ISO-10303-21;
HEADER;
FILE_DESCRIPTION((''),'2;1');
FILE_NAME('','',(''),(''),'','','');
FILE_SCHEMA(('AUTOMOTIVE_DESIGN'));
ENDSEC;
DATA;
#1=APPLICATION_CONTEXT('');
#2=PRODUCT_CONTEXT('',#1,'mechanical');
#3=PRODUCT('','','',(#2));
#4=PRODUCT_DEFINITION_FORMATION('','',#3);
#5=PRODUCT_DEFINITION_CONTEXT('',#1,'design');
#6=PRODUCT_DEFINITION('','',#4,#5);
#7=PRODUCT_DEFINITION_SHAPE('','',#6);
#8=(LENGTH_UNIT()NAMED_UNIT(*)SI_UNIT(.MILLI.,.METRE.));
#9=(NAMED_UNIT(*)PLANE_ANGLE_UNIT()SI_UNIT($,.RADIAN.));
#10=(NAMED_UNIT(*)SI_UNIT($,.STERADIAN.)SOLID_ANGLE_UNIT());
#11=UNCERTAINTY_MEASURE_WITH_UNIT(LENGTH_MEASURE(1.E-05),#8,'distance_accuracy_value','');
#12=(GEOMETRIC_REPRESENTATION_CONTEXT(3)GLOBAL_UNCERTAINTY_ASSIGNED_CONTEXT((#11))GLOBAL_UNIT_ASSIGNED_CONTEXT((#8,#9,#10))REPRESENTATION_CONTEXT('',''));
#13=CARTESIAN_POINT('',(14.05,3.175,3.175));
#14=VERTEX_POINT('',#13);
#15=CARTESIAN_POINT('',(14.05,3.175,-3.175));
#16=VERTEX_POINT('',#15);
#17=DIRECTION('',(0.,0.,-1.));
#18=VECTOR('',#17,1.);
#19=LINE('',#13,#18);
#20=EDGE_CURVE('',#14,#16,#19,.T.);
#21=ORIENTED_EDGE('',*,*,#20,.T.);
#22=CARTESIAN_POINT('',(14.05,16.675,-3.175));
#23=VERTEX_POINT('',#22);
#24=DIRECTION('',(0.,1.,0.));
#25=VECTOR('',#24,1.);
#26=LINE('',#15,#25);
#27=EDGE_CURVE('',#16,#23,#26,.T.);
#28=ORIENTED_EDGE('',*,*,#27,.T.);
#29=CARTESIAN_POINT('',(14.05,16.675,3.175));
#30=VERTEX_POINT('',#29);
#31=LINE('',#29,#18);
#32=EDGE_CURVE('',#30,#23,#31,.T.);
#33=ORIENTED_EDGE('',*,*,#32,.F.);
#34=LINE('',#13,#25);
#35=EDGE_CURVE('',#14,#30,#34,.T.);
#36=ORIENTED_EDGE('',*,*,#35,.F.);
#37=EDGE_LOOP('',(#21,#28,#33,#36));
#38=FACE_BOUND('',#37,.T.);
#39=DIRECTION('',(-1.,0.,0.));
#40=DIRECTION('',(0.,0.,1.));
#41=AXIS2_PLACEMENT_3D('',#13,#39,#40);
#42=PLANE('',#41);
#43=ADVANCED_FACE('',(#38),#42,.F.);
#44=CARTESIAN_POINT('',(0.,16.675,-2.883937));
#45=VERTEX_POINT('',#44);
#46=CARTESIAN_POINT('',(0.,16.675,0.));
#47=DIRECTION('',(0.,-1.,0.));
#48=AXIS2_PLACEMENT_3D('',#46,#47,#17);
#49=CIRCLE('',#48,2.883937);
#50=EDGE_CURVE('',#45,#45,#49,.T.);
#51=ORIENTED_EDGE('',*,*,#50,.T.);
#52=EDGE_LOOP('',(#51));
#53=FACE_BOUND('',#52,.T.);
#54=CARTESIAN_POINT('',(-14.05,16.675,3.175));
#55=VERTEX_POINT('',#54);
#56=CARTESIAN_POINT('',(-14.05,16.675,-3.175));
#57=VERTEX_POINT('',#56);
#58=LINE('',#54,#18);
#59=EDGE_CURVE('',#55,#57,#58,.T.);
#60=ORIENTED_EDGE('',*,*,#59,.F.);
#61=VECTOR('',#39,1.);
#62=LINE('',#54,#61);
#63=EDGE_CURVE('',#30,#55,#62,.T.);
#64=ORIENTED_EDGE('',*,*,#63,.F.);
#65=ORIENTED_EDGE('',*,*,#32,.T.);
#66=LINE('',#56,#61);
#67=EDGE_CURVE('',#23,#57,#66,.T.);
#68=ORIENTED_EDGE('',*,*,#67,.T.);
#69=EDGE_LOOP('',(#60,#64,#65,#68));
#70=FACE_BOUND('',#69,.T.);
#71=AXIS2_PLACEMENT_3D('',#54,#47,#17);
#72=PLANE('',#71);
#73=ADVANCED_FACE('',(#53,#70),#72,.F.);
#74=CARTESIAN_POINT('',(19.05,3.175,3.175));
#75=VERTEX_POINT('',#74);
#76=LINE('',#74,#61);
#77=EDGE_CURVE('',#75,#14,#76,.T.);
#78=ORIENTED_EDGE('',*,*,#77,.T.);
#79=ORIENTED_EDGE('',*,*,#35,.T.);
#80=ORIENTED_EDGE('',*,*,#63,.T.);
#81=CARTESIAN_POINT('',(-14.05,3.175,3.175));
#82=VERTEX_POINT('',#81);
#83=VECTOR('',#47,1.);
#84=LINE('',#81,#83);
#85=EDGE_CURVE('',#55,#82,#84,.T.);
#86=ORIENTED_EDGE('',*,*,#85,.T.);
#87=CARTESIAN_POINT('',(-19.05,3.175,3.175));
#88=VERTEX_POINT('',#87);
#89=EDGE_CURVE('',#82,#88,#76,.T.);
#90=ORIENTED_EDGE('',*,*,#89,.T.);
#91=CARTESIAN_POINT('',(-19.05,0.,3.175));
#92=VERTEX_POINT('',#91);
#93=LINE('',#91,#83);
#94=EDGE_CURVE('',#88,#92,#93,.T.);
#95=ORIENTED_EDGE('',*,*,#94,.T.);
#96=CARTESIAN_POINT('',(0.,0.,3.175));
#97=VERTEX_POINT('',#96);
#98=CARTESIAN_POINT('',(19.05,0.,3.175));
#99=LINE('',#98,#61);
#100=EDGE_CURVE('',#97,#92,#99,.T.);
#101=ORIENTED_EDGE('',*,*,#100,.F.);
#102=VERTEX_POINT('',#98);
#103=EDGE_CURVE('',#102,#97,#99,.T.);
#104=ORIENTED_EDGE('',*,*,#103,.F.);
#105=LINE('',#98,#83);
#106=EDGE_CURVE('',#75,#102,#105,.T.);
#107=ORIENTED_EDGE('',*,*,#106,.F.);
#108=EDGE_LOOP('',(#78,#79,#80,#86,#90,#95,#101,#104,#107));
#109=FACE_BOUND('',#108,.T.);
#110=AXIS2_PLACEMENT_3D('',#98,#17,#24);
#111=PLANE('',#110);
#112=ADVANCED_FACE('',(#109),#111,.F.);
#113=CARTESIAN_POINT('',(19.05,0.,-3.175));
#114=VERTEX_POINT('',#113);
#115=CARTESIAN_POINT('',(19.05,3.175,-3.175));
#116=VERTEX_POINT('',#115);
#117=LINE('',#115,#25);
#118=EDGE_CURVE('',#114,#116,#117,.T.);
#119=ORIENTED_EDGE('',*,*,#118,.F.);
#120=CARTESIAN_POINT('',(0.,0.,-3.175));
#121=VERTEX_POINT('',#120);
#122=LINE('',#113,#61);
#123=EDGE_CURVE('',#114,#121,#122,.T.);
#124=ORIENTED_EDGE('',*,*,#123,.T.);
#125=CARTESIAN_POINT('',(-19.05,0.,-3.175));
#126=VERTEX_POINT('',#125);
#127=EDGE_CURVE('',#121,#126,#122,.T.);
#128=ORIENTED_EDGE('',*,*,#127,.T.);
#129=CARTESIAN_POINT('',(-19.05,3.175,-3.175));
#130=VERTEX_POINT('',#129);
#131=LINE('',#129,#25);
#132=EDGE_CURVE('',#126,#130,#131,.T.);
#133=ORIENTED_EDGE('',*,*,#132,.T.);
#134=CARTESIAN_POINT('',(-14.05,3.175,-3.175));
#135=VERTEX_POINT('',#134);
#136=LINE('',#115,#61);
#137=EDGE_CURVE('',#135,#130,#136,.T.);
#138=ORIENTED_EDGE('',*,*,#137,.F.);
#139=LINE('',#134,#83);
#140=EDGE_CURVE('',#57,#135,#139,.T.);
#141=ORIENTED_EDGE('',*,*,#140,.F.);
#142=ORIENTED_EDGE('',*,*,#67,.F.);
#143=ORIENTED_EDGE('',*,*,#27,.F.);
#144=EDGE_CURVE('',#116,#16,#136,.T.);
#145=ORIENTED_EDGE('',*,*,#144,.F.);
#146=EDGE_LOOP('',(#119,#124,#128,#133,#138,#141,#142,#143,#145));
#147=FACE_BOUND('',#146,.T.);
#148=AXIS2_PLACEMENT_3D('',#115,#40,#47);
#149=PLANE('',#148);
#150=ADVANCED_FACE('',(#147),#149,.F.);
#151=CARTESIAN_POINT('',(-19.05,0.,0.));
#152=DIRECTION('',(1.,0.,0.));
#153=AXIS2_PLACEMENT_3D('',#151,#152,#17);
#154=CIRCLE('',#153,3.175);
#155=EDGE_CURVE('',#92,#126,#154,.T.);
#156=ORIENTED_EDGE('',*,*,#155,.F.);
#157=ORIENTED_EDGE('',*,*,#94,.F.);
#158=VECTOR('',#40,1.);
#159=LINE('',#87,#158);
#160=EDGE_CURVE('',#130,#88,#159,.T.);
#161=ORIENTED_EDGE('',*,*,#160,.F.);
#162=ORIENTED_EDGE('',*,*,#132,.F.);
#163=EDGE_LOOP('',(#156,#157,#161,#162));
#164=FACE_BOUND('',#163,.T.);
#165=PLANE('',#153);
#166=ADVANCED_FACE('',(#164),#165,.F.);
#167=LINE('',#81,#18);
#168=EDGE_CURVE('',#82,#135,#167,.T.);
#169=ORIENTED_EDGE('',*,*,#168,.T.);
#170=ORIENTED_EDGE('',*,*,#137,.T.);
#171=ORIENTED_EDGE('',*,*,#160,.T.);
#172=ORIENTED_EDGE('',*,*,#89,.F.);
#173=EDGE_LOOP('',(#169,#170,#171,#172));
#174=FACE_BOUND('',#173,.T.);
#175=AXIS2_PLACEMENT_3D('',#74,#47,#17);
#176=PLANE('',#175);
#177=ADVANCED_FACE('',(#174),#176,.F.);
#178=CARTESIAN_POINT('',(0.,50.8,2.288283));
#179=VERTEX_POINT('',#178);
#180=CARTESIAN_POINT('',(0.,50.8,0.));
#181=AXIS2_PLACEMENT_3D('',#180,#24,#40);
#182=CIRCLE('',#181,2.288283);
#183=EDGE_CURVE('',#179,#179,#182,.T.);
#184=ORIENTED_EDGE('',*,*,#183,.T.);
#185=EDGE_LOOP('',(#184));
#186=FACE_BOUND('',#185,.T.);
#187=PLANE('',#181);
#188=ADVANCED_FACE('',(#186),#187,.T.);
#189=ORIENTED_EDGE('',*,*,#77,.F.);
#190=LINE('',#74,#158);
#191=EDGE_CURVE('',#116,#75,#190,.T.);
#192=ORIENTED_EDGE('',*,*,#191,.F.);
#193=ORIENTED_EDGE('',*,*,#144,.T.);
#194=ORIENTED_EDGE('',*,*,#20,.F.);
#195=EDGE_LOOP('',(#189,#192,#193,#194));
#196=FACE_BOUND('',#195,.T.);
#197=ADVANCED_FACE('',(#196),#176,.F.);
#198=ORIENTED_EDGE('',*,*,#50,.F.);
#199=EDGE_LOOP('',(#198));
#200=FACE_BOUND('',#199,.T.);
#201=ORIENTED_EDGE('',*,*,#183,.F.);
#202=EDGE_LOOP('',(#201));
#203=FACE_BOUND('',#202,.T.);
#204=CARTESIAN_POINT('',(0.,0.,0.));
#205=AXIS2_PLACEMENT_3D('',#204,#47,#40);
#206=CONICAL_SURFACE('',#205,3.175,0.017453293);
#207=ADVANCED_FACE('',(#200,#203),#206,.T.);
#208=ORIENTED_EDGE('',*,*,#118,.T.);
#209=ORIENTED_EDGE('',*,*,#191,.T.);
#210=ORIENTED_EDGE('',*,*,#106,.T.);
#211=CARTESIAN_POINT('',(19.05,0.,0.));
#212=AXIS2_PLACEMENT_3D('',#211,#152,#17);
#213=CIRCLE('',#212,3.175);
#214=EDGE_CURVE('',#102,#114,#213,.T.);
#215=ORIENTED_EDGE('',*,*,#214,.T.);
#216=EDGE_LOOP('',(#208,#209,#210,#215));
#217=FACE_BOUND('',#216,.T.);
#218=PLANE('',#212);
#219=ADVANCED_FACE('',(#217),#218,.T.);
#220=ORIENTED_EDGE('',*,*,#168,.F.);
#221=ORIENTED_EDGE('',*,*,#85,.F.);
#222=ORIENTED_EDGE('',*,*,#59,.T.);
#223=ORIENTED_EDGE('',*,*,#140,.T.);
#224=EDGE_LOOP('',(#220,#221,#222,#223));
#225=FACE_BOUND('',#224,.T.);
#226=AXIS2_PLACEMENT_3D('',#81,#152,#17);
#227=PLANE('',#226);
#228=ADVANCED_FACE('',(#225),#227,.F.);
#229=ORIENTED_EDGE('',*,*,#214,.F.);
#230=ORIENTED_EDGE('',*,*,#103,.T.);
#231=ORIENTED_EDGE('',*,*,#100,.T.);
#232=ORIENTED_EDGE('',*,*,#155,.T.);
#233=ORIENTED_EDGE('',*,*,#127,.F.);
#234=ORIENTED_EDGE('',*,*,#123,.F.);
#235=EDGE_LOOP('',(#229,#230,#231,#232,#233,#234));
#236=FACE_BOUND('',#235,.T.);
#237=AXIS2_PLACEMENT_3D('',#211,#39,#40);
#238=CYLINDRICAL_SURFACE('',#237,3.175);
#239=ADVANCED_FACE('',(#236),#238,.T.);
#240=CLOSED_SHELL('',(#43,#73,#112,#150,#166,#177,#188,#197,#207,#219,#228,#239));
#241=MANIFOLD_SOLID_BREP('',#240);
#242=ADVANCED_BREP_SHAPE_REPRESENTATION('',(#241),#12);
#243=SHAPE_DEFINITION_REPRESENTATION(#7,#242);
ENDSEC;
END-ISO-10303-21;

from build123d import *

# Parameters (mm, degrees)
BOSS_EXTRUDE1_DEPTH = 19.05
SKETCH2_R           = 3.175
BOSS_EXTRUDE2_DEPTH = 50.8
BOSS_EXTRUDE2_TAPER = 1
SKETCH3_W           = 28.1
SKETCH3_H           = 13.5
BOSS_EXTRUDE3_DEPTH = 3.175


with BuildPart() as part:
    # Sketch1 → Boss-Extrude1 (new body, symmetric)
    with BuildSketch(Plane(origin=(0, 0, 0), x_dir=(0, 0, -1), z_dir=(1, 0, 0))):
        with BuildLine():
            Line((-3.175, 0), (-3.175, 3.175))
            Line((-3.175, 3.175), (3.175, 3.175))
            Line((3.175, 3.175), (3.175, 0))
            ThreePointArc((3.175, 0), (0, -3.175), (-3.175, 0))
        make_face()
    extrude(amount=BOSS_EXTRUDE1_DEPTH, both=True)

    # Sketch2 → Boss-Extrude2 (add)
    with BuildSketch(Plane(origin=(0, 0, 0), x_dir=(1, 0, 0), z_dir=(0, 1, 0))):
        Circle(SKETCH2_R)
    extrude(amount=BOSS_EXTRUDE2_DEPTH, taper=BOSS_EXTRUDE2_TAPER)

    # Sketch3 → Boss-Extrude3 (add, symmetric)
    with BuildSketch(Plane.XY):
        with Locations((0, 9.925)):
            Rectangle(SKETCH3_W, SKETCH3_H)
    extrude(amount=BOSS_EXTRUDE3_DEPTH, both=True)


solid = part.part
